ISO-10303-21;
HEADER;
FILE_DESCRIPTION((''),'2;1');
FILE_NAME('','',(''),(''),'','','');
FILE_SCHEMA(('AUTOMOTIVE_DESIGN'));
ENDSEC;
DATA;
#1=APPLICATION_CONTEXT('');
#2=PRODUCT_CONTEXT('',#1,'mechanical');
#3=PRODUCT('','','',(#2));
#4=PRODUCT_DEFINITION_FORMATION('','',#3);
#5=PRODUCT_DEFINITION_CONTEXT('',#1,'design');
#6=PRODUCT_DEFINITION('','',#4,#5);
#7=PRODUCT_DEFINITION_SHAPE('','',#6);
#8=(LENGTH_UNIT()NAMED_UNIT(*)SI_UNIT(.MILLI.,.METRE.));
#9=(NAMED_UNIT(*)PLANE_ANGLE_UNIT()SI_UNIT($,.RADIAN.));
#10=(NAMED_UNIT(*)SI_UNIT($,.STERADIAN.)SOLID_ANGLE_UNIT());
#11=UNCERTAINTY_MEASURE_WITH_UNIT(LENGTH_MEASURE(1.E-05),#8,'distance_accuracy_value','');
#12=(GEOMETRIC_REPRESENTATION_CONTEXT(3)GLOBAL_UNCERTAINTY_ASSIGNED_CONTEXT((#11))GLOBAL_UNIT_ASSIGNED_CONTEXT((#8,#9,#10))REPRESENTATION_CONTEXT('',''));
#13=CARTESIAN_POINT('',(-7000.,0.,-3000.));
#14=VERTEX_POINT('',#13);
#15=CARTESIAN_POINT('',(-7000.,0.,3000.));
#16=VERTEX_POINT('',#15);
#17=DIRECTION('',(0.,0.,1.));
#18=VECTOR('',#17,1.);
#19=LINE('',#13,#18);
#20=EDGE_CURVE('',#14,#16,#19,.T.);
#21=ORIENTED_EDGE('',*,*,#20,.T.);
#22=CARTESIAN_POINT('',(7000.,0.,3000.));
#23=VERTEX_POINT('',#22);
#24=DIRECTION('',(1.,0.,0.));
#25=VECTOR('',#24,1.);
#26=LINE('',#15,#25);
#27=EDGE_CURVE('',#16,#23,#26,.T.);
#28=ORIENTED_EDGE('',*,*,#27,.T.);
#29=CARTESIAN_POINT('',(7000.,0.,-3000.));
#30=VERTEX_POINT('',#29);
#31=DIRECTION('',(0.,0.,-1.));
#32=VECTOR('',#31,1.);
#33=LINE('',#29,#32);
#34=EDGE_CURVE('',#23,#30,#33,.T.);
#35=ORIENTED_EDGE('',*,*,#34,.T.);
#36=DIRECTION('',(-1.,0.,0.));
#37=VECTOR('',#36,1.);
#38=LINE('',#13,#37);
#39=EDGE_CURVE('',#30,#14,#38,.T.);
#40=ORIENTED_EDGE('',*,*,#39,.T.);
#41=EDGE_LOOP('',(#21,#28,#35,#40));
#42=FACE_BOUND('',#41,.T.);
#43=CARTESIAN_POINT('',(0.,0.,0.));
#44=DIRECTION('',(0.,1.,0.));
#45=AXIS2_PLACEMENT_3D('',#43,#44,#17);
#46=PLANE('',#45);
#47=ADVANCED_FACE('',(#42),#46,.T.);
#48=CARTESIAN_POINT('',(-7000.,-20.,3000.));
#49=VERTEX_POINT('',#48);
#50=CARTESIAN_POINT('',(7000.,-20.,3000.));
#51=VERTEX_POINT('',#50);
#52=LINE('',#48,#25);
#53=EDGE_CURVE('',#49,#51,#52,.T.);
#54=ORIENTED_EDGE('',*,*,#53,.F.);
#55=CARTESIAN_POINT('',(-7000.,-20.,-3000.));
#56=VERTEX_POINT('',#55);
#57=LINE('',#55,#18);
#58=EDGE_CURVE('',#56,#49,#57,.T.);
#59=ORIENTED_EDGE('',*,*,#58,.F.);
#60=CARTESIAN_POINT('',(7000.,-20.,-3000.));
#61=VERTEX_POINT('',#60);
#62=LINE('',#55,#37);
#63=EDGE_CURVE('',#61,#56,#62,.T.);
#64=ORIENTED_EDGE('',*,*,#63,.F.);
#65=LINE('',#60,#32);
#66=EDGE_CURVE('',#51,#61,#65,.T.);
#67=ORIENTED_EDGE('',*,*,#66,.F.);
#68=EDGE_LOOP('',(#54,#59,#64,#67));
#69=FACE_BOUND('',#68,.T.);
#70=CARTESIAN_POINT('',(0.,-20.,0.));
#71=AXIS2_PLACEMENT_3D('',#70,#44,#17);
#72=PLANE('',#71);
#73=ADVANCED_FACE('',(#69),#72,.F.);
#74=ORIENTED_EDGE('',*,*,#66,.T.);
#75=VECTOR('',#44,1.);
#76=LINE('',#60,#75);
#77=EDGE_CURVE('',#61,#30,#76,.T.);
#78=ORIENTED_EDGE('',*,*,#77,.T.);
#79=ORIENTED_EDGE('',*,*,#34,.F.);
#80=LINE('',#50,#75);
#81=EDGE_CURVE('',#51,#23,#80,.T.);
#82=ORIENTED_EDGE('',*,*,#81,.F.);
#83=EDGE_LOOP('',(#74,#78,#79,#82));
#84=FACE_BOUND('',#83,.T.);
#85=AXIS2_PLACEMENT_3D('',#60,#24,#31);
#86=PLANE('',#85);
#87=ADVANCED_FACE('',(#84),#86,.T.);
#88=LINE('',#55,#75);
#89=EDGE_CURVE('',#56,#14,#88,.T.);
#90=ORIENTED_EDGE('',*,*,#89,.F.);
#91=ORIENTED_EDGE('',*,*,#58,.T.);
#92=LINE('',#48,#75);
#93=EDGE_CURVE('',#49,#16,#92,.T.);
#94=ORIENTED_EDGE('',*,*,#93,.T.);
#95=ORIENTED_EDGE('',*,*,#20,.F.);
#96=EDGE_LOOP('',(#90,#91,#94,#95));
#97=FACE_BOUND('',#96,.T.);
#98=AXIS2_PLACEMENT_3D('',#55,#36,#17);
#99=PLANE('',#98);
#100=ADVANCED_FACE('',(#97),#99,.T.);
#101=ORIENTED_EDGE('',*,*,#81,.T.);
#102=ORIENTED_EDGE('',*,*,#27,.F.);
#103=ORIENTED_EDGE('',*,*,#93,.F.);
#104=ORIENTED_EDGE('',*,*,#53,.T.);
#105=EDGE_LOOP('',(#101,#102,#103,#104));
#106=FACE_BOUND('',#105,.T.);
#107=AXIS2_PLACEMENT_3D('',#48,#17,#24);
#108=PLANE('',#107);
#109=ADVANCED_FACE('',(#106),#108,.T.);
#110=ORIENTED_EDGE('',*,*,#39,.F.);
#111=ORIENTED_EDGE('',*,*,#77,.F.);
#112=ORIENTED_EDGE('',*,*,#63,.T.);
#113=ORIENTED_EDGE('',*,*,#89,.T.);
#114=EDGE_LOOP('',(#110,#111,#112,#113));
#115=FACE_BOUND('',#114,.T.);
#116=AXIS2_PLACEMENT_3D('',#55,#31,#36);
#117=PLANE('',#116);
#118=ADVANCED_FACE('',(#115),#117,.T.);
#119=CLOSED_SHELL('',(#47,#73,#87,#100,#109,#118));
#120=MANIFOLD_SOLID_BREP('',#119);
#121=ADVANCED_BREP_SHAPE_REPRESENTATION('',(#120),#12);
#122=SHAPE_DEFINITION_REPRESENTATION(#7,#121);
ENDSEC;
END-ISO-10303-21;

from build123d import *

# Parameters (mm, degrees)
SKETCH_2_W      = 14000
SKETCH_2_H      = 6000
EXTRUDE_1_DEPTH = 20


with BuildPart() as part:
    # 草图2 → 凸台-拉伸1 (new body)
    with BuildSketch(Plane(origin=(0, 0, 0), x_dir=(1, 0, 0), z_dir=(0, 1, 0))):
        Rectangle(SKETCH_2_W, SKETCH_2_H)
    extrude(amount=-EXTRUDE_1_DEPTH)


solid = part.part
